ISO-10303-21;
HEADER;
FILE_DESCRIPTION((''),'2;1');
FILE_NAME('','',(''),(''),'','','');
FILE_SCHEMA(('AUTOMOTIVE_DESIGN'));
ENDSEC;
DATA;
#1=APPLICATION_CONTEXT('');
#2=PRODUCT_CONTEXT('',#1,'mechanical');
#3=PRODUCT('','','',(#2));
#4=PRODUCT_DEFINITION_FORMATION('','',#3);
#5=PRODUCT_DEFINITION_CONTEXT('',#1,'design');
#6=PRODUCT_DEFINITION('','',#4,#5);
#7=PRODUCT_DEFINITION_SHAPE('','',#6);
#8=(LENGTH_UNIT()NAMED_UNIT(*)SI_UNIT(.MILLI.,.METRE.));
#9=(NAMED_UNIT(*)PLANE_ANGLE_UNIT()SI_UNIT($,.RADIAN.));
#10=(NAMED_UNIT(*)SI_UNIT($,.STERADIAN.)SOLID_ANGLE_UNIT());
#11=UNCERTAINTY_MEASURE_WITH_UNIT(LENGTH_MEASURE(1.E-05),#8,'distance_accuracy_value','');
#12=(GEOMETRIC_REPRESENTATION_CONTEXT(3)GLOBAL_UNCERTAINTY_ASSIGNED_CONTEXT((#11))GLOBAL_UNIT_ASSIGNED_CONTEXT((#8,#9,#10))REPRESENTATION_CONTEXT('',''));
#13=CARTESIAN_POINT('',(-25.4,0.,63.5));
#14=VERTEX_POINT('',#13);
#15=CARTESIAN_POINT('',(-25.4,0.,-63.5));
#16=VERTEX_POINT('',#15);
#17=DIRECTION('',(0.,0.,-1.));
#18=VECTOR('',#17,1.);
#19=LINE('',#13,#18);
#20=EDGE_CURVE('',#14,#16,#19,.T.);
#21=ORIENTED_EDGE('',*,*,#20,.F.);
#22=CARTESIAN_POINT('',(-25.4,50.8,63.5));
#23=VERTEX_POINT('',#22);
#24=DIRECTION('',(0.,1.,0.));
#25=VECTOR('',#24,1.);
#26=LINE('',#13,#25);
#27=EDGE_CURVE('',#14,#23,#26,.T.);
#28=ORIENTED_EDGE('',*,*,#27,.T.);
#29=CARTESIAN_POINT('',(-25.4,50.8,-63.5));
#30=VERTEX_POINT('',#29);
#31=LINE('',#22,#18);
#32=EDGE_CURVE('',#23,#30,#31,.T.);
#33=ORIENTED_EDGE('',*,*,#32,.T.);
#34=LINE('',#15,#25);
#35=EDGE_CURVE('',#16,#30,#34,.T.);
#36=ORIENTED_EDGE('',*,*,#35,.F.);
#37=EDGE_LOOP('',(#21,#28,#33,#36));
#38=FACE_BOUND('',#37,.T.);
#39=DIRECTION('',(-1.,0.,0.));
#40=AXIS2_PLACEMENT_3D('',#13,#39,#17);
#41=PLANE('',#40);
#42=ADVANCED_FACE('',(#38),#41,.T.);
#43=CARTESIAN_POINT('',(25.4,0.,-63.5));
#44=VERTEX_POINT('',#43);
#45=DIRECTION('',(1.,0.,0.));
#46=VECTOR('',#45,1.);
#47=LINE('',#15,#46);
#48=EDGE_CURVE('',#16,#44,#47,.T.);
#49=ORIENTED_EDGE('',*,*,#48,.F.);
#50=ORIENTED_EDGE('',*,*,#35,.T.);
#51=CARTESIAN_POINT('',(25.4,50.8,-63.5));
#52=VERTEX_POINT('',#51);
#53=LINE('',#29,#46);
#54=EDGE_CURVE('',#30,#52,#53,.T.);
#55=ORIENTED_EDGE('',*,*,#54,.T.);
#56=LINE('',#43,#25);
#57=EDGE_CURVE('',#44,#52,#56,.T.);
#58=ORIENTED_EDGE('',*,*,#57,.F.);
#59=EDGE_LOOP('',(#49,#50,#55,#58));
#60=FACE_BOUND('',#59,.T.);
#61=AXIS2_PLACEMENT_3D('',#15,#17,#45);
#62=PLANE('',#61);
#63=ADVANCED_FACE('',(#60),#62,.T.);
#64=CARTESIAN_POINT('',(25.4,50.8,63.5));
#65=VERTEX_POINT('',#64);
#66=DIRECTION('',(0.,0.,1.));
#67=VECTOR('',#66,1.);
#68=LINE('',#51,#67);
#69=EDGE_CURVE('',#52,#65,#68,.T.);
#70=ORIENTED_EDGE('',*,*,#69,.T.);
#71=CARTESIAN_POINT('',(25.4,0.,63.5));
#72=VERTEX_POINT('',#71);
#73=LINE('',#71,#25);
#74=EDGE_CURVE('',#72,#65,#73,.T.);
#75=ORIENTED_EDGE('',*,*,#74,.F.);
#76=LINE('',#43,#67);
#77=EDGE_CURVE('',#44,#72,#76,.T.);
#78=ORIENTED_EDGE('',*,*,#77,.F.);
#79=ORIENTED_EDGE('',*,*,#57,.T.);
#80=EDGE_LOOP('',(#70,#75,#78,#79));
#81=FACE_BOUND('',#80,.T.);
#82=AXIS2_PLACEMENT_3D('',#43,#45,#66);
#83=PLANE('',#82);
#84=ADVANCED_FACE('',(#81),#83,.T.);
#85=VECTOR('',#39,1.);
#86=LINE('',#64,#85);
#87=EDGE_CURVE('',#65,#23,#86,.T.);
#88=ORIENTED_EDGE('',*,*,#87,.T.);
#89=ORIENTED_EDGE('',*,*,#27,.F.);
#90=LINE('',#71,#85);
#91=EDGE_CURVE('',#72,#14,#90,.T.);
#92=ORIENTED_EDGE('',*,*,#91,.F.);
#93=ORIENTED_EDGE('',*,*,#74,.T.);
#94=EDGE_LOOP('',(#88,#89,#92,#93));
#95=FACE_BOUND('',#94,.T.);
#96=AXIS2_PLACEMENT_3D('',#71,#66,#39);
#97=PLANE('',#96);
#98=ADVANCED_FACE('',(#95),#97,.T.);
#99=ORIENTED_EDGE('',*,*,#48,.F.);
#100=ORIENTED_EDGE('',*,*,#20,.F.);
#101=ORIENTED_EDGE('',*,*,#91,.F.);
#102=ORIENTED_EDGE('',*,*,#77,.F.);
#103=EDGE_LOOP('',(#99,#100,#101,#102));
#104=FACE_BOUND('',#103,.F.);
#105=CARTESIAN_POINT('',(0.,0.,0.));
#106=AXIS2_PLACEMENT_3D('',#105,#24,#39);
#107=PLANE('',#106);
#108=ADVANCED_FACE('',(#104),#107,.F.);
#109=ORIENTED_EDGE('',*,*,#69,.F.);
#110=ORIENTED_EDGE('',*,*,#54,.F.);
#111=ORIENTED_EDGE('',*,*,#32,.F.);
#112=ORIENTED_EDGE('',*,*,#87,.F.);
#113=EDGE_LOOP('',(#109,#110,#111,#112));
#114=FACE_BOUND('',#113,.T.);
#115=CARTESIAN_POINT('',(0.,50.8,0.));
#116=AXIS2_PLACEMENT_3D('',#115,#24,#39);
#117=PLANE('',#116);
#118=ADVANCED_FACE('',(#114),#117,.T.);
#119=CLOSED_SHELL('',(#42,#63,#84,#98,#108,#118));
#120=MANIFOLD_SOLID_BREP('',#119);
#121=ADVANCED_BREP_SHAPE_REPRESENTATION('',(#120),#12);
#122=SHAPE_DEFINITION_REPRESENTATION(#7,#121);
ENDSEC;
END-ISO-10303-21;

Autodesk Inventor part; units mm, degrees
ref_plane "YZ Plane" through (0, 0, 0) normal (1, 0, 0) x (0, 1, 0)
ref_plane "XZ Plane" through (0, 0, 0) normal (0, 1, 0) x (-1, 0, 0)
ref_plane "XY Plane" through (0, 0, 0) normal (0, 0, 1) x (1, 0, 0)
sketch "Sketch1" plane through (0, 0, 0) normal (0, 1, 0) x (-1, 0, 0)
  line L0 (-25.4, 63.5) -> (25.4, 63.5)
  line L1 (25.4, 63.5) -> (25.4, -63.5)
  line L2 (25.4, -63.5) -> (-25.4, -63.5)
  line L3 (-25.4, -63.5) -> (-25.4, 63.5)
  line L4 (-25.4, 63.5) -> (25.4, -63.5) construction
  line L5 (25.4, 63.5) -> (-25.4, -63.5) construction
  point P0 (0, 0)
  dimension "d0" = 50.8
  dimension "d1" = 127
extrude "Extrusion1" add sketch "Sketch1" along normal blind 50.8
properties part number "BX11111"
